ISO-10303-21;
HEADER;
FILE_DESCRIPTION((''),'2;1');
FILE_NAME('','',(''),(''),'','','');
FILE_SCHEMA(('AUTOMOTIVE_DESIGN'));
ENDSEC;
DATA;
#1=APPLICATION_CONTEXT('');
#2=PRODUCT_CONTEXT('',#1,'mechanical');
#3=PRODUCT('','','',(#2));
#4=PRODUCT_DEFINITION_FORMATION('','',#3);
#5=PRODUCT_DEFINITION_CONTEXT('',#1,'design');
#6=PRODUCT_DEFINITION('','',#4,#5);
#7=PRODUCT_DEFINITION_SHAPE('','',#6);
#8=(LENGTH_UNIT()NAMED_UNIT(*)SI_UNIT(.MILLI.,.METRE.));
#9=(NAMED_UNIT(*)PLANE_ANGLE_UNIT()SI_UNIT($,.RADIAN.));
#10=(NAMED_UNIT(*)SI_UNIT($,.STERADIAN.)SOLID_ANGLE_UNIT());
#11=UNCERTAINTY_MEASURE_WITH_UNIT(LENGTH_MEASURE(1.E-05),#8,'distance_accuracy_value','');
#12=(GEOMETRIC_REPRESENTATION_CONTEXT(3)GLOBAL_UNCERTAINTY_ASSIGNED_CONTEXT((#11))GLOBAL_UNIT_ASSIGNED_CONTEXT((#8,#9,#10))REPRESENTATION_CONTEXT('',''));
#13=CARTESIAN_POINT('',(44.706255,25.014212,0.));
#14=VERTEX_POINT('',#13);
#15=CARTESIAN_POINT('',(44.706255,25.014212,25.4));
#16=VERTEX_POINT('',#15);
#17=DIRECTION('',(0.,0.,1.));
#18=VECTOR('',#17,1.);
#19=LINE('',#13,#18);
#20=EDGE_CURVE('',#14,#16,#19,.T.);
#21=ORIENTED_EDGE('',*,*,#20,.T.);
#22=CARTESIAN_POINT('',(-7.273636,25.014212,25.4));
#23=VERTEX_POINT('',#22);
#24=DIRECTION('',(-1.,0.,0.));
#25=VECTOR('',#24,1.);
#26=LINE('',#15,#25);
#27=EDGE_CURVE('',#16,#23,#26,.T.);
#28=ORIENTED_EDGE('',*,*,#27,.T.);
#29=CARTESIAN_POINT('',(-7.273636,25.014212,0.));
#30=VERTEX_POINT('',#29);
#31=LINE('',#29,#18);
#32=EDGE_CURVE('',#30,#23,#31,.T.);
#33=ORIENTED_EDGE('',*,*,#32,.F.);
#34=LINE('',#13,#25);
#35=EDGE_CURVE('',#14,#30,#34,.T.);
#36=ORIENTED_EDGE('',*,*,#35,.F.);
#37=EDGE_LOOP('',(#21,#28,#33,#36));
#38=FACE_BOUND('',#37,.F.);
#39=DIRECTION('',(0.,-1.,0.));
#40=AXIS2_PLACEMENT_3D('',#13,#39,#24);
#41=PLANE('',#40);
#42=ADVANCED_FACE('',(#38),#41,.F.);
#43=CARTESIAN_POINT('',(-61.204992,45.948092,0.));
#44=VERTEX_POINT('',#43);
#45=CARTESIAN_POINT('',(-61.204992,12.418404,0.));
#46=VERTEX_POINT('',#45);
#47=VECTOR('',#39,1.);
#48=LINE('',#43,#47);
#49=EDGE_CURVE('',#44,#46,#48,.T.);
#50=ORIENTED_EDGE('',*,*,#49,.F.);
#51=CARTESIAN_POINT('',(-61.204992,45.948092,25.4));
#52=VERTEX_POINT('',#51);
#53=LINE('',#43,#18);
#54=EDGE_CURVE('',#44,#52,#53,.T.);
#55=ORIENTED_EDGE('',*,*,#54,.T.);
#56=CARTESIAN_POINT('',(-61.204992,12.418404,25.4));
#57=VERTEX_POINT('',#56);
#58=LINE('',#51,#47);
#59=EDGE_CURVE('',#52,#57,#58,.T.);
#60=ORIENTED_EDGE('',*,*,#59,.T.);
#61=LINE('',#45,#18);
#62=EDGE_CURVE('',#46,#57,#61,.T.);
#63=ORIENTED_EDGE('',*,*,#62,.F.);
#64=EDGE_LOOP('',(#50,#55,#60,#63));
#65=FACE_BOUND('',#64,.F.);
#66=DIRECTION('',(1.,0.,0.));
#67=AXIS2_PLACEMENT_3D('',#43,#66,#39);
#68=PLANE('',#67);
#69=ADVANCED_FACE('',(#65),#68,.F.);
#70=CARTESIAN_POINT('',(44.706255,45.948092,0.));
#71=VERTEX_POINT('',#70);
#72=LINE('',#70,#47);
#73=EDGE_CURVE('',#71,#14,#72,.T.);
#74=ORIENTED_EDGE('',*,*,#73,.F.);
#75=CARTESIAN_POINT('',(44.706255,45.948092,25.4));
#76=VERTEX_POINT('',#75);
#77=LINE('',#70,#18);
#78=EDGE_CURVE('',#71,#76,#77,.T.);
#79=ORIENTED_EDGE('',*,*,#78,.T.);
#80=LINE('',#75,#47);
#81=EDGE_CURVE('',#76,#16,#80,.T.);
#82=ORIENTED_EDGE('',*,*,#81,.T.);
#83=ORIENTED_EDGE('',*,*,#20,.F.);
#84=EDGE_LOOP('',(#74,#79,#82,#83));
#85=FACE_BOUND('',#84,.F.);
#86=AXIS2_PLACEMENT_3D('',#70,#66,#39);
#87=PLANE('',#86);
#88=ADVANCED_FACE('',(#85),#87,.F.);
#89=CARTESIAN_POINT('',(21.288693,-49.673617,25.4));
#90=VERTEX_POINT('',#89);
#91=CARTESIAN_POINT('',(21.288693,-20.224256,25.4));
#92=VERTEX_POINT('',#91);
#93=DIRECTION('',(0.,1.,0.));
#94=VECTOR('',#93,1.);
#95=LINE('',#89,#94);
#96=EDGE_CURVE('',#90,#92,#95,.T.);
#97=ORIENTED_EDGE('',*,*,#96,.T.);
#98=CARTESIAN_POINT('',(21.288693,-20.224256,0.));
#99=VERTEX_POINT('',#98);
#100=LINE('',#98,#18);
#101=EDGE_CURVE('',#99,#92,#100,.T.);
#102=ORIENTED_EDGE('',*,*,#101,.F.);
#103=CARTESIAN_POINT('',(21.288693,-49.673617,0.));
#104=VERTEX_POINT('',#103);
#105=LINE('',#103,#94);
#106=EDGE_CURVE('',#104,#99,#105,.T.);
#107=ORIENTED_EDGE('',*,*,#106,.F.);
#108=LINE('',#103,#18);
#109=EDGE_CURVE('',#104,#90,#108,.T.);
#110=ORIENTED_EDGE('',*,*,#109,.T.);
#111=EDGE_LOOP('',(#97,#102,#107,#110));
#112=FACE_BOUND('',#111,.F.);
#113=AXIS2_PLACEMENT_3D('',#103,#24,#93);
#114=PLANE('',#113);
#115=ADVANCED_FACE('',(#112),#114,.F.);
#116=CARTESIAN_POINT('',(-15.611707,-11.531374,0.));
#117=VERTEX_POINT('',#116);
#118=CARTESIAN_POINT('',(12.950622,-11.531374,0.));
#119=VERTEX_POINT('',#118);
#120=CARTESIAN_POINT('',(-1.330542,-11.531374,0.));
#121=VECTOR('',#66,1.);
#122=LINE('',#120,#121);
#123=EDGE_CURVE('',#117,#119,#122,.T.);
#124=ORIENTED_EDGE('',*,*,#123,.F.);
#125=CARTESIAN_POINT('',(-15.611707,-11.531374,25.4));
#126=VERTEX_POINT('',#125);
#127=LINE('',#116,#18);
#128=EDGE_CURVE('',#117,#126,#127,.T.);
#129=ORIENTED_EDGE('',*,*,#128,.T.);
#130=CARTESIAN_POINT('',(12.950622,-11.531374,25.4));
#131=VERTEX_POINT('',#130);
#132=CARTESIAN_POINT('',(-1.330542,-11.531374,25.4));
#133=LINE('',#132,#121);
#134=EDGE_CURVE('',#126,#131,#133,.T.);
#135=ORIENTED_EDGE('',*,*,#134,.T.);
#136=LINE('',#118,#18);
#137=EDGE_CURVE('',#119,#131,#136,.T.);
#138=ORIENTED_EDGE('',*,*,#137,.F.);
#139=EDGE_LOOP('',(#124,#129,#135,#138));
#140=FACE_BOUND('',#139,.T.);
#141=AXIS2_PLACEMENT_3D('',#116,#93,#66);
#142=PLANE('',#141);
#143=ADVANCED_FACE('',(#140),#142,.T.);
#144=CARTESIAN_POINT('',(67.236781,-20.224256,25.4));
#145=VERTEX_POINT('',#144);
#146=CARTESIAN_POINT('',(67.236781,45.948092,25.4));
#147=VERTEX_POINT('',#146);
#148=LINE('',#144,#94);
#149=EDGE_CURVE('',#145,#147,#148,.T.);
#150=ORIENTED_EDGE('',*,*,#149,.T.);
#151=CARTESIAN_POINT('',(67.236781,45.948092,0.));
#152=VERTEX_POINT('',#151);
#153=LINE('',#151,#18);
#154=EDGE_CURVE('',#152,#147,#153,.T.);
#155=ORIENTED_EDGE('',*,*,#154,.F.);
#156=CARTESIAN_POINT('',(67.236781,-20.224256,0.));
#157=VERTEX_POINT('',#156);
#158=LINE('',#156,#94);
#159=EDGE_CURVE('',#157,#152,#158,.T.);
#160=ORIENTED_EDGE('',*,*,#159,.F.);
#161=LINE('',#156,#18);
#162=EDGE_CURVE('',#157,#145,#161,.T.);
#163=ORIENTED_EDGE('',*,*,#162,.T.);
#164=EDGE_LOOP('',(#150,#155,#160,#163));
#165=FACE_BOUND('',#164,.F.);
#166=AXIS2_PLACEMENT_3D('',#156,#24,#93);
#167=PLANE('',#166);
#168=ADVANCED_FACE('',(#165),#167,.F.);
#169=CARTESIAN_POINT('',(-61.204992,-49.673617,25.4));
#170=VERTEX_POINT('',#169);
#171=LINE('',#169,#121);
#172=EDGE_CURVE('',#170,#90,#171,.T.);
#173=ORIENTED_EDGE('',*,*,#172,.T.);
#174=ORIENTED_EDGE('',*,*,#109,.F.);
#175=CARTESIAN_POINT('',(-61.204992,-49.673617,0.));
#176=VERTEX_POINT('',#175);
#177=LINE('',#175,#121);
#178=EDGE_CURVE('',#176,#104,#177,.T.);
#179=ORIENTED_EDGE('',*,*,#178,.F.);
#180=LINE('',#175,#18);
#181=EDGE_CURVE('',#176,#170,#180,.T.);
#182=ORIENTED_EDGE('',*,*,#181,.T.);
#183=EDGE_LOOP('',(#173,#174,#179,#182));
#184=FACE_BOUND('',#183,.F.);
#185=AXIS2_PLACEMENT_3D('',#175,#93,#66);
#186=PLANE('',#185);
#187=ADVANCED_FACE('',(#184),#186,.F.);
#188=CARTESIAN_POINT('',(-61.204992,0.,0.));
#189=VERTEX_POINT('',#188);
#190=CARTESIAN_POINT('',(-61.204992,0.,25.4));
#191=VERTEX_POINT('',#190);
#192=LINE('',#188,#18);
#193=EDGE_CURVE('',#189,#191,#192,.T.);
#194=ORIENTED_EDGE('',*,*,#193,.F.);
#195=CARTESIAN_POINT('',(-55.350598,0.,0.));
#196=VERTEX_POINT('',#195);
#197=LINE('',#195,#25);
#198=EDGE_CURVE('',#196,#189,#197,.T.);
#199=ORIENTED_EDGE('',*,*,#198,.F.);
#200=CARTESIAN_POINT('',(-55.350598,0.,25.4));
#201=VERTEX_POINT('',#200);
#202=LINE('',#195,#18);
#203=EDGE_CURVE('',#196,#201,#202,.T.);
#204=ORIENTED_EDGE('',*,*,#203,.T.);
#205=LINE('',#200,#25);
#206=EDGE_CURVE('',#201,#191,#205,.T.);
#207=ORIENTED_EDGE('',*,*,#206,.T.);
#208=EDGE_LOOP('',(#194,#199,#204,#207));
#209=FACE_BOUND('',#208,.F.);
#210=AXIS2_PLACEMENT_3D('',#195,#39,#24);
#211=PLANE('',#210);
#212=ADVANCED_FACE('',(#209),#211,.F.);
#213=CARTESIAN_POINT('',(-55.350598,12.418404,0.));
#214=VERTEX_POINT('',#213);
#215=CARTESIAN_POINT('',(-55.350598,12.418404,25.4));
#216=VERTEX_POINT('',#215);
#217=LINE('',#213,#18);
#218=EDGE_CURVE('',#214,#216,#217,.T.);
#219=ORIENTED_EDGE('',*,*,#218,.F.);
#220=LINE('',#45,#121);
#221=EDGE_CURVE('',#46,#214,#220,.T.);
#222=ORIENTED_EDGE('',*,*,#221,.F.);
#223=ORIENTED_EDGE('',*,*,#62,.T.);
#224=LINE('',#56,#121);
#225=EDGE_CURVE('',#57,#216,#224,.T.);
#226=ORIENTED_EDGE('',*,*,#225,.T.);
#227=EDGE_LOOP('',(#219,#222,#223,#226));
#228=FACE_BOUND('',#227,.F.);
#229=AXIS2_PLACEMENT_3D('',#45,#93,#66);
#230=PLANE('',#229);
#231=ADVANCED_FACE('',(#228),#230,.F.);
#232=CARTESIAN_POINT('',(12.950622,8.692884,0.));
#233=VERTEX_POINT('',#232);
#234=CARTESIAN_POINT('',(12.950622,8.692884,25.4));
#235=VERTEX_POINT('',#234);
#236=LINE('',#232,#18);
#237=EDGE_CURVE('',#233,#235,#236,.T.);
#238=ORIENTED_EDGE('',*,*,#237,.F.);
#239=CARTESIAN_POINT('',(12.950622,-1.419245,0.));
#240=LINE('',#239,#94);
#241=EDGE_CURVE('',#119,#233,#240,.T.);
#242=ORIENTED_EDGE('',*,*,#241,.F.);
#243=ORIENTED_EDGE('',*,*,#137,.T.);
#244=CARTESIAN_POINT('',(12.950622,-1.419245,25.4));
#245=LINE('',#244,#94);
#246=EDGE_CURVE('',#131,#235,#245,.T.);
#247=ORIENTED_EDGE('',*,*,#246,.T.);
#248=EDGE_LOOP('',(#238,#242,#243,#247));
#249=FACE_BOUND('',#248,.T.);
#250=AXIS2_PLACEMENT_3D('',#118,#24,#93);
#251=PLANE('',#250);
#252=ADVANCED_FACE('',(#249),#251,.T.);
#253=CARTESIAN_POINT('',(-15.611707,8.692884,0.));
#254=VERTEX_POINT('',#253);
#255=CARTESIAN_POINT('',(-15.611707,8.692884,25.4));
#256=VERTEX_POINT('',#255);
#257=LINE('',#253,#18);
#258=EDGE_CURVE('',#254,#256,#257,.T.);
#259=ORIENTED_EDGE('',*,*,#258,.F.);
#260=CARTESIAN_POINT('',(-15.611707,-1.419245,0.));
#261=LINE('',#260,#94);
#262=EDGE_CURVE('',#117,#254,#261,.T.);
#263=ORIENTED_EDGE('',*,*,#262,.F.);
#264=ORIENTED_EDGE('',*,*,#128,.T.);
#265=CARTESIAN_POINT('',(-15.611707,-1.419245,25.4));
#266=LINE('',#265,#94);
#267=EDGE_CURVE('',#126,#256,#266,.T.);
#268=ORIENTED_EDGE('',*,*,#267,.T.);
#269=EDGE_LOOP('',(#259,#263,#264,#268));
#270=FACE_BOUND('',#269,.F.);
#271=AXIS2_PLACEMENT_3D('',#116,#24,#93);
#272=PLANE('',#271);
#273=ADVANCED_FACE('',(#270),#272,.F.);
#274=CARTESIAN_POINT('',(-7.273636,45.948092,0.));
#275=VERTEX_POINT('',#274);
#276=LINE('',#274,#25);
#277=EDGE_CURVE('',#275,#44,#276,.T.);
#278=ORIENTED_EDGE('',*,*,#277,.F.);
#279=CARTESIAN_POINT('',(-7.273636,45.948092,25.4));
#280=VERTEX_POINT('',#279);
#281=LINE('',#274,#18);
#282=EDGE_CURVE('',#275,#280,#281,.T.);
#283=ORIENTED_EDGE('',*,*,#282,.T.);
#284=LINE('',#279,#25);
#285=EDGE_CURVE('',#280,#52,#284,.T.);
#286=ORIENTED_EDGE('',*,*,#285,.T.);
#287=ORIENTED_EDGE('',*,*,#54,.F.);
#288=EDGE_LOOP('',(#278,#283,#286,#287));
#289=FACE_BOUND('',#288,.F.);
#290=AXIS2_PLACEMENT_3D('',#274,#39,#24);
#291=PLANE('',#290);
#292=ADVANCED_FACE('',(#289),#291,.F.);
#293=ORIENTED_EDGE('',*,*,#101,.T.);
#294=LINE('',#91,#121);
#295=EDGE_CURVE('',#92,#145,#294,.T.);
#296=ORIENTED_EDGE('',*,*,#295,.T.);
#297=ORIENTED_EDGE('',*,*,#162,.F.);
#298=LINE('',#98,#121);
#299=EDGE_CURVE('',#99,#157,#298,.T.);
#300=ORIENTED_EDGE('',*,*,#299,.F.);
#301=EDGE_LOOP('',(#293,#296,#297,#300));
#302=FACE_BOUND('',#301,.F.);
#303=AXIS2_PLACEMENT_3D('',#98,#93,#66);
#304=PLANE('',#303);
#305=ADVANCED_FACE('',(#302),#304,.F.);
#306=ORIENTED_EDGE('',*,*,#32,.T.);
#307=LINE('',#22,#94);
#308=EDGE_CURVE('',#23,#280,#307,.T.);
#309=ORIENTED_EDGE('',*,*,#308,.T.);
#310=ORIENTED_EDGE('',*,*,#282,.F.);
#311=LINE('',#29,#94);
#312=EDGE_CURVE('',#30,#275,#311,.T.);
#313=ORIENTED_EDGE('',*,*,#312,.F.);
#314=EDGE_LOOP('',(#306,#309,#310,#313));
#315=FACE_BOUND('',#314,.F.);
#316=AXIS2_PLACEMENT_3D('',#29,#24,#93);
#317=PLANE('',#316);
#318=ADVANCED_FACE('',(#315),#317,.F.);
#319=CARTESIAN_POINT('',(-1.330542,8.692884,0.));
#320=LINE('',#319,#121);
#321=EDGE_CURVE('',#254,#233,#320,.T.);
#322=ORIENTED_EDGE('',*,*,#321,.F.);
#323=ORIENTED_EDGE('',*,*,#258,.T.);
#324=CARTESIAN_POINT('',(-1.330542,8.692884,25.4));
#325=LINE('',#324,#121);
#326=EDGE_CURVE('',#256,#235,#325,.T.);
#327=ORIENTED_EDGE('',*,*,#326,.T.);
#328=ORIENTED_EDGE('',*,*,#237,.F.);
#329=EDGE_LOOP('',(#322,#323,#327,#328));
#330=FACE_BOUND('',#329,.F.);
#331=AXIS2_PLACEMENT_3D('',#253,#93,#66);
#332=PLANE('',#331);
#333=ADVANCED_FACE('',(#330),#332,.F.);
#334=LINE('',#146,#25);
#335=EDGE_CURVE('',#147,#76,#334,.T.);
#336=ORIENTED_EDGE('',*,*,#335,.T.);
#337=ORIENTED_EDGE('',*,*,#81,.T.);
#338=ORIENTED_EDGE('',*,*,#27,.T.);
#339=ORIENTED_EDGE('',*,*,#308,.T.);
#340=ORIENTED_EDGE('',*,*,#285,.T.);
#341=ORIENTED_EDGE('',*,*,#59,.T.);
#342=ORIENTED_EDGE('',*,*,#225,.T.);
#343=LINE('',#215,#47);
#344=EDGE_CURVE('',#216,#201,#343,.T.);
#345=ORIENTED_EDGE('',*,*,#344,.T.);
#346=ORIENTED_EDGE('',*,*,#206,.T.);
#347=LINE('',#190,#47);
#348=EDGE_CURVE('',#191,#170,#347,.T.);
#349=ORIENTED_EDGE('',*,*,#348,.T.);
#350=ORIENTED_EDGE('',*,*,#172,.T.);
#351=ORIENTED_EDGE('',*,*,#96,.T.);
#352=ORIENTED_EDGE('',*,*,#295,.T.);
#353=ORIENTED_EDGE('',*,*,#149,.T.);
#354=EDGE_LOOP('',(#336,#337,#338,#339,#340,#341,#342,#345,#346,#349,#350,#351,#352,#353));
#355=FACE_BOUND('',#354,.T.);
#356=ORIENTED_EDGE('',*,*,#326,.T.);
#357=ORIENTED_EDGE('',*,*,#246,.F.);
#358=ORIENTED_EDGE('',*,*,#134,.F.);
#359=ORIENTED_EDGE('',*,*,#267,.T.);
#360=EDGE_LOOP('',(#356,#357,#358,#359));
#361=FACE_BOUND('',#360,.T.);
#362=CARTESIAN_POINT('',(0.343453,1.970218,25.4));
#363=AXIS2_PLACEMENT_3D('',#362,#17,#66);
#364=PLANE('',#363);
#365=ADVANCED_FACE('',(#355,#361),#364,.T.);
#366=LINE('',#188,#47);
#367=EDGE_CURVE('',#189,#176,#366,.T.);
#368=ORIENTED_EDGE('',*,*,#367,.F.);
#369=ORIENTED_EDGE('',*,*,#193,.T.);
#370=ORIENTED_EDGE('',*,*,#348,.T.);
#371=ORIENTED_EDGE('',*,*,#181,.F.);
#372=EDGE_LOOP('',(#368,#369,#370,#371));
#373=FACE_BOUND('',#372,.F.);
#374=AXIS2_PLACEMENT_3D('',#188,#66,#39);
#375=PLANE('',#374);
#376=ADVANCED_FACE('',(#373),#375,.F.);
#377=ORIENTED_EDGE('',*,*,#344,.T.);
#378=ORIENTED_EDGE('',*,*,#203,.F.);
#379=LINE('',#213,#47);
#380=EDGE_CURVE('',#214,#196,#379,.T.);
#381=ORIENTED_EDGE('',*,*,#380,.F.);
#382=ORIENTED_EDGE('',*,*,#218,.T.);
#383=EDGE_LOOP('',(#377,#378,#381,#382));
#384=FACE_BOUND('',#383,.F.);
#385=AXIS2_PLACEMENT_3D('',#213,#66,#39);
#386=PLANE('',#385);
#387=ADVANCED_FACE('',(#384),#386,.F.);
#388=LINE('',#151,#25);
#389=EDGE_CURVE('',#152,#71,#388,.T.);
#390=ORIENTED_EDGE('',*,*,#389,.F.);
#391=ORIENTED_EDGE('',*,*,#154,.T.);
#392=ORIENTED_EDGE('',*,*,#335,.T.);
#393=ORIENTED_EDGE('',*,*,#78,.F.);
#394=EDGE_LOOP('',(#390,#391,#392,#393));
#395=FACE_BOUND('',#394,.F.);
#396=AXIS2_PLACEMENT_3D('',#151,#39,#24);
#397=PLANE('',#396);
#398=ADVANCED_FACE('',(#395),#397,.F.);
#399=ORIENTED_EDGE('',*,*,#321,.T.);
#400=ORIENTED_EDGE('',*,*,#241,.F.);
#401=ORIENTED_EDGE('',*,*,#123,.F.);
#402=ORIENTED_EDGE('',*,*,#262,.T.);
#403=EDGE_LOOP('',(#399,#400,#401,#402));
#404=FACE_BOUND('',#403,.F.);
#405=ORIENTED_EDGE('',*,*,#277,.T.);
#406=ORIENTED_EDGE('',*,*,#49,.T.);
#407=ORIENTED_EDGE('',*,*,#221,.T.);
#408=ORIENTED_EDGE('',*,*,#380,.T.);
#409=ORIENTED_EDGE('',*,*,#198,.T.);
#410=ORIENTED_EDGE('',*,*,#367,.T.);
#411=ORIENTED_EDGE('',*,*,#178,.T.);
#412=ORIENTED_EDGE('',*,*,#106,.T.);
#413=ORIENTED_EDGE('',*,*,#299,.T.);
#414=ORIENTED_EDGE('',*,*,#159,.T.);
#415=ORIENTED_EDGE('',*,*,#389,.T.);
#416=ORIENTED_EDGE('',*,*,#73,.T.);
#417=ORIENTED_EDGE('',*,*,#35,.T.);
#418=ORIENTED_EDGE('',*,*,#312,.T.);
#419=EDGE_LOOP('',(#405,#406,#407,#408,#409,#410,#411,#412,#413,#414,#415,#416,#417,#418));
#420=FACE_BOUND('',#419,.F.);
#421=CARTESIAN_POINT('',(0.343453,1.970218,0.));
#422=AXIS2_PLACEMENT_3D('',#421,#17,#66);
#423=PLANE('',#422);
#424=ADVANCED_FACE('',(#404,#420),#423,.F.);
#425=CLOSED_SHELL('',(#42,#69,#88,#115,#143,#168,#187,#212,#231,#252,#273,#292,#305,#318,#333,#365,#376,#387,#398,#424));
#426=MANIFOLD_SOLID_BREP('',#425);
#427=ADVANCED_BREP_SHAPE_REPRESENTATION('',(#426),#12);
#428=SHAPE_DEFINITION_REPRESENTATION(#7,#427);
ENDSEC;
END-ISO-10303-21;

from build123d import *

# Parameters (mm, degrees)
F0_W     = 28.562329
F0_H     = 20.224257
F1_DEPTH = 25.4


with BuildPart() as f1:
    # F0 (on Top) → F1 (new body)
    with BuildSketch(Plane.XY):
        Polygon((-7.273636, 45.948092), (-61.204992, 45.948092), (-61.204992, 12.418404), (-55.350598, 12.418404), (-55.350598, 0), (-61.204992, 0), (-61.204992, -49.673617), (21.288693, -49.673617), (21.288693, -20.224256), (67.236781, -20.224256), (67.236781, 45.948092), (44.706255, 45.948092), (44.706255, 25.014212), (-7.273636, 25.014212), align=None)
        with Locations((-1.330542, -1.419245)):
            Rectangle(F0_W, F0_H, mode=Mode.SUBTRACT)
    extrude(amount=F1_DEPTH)


solid = f1.part
